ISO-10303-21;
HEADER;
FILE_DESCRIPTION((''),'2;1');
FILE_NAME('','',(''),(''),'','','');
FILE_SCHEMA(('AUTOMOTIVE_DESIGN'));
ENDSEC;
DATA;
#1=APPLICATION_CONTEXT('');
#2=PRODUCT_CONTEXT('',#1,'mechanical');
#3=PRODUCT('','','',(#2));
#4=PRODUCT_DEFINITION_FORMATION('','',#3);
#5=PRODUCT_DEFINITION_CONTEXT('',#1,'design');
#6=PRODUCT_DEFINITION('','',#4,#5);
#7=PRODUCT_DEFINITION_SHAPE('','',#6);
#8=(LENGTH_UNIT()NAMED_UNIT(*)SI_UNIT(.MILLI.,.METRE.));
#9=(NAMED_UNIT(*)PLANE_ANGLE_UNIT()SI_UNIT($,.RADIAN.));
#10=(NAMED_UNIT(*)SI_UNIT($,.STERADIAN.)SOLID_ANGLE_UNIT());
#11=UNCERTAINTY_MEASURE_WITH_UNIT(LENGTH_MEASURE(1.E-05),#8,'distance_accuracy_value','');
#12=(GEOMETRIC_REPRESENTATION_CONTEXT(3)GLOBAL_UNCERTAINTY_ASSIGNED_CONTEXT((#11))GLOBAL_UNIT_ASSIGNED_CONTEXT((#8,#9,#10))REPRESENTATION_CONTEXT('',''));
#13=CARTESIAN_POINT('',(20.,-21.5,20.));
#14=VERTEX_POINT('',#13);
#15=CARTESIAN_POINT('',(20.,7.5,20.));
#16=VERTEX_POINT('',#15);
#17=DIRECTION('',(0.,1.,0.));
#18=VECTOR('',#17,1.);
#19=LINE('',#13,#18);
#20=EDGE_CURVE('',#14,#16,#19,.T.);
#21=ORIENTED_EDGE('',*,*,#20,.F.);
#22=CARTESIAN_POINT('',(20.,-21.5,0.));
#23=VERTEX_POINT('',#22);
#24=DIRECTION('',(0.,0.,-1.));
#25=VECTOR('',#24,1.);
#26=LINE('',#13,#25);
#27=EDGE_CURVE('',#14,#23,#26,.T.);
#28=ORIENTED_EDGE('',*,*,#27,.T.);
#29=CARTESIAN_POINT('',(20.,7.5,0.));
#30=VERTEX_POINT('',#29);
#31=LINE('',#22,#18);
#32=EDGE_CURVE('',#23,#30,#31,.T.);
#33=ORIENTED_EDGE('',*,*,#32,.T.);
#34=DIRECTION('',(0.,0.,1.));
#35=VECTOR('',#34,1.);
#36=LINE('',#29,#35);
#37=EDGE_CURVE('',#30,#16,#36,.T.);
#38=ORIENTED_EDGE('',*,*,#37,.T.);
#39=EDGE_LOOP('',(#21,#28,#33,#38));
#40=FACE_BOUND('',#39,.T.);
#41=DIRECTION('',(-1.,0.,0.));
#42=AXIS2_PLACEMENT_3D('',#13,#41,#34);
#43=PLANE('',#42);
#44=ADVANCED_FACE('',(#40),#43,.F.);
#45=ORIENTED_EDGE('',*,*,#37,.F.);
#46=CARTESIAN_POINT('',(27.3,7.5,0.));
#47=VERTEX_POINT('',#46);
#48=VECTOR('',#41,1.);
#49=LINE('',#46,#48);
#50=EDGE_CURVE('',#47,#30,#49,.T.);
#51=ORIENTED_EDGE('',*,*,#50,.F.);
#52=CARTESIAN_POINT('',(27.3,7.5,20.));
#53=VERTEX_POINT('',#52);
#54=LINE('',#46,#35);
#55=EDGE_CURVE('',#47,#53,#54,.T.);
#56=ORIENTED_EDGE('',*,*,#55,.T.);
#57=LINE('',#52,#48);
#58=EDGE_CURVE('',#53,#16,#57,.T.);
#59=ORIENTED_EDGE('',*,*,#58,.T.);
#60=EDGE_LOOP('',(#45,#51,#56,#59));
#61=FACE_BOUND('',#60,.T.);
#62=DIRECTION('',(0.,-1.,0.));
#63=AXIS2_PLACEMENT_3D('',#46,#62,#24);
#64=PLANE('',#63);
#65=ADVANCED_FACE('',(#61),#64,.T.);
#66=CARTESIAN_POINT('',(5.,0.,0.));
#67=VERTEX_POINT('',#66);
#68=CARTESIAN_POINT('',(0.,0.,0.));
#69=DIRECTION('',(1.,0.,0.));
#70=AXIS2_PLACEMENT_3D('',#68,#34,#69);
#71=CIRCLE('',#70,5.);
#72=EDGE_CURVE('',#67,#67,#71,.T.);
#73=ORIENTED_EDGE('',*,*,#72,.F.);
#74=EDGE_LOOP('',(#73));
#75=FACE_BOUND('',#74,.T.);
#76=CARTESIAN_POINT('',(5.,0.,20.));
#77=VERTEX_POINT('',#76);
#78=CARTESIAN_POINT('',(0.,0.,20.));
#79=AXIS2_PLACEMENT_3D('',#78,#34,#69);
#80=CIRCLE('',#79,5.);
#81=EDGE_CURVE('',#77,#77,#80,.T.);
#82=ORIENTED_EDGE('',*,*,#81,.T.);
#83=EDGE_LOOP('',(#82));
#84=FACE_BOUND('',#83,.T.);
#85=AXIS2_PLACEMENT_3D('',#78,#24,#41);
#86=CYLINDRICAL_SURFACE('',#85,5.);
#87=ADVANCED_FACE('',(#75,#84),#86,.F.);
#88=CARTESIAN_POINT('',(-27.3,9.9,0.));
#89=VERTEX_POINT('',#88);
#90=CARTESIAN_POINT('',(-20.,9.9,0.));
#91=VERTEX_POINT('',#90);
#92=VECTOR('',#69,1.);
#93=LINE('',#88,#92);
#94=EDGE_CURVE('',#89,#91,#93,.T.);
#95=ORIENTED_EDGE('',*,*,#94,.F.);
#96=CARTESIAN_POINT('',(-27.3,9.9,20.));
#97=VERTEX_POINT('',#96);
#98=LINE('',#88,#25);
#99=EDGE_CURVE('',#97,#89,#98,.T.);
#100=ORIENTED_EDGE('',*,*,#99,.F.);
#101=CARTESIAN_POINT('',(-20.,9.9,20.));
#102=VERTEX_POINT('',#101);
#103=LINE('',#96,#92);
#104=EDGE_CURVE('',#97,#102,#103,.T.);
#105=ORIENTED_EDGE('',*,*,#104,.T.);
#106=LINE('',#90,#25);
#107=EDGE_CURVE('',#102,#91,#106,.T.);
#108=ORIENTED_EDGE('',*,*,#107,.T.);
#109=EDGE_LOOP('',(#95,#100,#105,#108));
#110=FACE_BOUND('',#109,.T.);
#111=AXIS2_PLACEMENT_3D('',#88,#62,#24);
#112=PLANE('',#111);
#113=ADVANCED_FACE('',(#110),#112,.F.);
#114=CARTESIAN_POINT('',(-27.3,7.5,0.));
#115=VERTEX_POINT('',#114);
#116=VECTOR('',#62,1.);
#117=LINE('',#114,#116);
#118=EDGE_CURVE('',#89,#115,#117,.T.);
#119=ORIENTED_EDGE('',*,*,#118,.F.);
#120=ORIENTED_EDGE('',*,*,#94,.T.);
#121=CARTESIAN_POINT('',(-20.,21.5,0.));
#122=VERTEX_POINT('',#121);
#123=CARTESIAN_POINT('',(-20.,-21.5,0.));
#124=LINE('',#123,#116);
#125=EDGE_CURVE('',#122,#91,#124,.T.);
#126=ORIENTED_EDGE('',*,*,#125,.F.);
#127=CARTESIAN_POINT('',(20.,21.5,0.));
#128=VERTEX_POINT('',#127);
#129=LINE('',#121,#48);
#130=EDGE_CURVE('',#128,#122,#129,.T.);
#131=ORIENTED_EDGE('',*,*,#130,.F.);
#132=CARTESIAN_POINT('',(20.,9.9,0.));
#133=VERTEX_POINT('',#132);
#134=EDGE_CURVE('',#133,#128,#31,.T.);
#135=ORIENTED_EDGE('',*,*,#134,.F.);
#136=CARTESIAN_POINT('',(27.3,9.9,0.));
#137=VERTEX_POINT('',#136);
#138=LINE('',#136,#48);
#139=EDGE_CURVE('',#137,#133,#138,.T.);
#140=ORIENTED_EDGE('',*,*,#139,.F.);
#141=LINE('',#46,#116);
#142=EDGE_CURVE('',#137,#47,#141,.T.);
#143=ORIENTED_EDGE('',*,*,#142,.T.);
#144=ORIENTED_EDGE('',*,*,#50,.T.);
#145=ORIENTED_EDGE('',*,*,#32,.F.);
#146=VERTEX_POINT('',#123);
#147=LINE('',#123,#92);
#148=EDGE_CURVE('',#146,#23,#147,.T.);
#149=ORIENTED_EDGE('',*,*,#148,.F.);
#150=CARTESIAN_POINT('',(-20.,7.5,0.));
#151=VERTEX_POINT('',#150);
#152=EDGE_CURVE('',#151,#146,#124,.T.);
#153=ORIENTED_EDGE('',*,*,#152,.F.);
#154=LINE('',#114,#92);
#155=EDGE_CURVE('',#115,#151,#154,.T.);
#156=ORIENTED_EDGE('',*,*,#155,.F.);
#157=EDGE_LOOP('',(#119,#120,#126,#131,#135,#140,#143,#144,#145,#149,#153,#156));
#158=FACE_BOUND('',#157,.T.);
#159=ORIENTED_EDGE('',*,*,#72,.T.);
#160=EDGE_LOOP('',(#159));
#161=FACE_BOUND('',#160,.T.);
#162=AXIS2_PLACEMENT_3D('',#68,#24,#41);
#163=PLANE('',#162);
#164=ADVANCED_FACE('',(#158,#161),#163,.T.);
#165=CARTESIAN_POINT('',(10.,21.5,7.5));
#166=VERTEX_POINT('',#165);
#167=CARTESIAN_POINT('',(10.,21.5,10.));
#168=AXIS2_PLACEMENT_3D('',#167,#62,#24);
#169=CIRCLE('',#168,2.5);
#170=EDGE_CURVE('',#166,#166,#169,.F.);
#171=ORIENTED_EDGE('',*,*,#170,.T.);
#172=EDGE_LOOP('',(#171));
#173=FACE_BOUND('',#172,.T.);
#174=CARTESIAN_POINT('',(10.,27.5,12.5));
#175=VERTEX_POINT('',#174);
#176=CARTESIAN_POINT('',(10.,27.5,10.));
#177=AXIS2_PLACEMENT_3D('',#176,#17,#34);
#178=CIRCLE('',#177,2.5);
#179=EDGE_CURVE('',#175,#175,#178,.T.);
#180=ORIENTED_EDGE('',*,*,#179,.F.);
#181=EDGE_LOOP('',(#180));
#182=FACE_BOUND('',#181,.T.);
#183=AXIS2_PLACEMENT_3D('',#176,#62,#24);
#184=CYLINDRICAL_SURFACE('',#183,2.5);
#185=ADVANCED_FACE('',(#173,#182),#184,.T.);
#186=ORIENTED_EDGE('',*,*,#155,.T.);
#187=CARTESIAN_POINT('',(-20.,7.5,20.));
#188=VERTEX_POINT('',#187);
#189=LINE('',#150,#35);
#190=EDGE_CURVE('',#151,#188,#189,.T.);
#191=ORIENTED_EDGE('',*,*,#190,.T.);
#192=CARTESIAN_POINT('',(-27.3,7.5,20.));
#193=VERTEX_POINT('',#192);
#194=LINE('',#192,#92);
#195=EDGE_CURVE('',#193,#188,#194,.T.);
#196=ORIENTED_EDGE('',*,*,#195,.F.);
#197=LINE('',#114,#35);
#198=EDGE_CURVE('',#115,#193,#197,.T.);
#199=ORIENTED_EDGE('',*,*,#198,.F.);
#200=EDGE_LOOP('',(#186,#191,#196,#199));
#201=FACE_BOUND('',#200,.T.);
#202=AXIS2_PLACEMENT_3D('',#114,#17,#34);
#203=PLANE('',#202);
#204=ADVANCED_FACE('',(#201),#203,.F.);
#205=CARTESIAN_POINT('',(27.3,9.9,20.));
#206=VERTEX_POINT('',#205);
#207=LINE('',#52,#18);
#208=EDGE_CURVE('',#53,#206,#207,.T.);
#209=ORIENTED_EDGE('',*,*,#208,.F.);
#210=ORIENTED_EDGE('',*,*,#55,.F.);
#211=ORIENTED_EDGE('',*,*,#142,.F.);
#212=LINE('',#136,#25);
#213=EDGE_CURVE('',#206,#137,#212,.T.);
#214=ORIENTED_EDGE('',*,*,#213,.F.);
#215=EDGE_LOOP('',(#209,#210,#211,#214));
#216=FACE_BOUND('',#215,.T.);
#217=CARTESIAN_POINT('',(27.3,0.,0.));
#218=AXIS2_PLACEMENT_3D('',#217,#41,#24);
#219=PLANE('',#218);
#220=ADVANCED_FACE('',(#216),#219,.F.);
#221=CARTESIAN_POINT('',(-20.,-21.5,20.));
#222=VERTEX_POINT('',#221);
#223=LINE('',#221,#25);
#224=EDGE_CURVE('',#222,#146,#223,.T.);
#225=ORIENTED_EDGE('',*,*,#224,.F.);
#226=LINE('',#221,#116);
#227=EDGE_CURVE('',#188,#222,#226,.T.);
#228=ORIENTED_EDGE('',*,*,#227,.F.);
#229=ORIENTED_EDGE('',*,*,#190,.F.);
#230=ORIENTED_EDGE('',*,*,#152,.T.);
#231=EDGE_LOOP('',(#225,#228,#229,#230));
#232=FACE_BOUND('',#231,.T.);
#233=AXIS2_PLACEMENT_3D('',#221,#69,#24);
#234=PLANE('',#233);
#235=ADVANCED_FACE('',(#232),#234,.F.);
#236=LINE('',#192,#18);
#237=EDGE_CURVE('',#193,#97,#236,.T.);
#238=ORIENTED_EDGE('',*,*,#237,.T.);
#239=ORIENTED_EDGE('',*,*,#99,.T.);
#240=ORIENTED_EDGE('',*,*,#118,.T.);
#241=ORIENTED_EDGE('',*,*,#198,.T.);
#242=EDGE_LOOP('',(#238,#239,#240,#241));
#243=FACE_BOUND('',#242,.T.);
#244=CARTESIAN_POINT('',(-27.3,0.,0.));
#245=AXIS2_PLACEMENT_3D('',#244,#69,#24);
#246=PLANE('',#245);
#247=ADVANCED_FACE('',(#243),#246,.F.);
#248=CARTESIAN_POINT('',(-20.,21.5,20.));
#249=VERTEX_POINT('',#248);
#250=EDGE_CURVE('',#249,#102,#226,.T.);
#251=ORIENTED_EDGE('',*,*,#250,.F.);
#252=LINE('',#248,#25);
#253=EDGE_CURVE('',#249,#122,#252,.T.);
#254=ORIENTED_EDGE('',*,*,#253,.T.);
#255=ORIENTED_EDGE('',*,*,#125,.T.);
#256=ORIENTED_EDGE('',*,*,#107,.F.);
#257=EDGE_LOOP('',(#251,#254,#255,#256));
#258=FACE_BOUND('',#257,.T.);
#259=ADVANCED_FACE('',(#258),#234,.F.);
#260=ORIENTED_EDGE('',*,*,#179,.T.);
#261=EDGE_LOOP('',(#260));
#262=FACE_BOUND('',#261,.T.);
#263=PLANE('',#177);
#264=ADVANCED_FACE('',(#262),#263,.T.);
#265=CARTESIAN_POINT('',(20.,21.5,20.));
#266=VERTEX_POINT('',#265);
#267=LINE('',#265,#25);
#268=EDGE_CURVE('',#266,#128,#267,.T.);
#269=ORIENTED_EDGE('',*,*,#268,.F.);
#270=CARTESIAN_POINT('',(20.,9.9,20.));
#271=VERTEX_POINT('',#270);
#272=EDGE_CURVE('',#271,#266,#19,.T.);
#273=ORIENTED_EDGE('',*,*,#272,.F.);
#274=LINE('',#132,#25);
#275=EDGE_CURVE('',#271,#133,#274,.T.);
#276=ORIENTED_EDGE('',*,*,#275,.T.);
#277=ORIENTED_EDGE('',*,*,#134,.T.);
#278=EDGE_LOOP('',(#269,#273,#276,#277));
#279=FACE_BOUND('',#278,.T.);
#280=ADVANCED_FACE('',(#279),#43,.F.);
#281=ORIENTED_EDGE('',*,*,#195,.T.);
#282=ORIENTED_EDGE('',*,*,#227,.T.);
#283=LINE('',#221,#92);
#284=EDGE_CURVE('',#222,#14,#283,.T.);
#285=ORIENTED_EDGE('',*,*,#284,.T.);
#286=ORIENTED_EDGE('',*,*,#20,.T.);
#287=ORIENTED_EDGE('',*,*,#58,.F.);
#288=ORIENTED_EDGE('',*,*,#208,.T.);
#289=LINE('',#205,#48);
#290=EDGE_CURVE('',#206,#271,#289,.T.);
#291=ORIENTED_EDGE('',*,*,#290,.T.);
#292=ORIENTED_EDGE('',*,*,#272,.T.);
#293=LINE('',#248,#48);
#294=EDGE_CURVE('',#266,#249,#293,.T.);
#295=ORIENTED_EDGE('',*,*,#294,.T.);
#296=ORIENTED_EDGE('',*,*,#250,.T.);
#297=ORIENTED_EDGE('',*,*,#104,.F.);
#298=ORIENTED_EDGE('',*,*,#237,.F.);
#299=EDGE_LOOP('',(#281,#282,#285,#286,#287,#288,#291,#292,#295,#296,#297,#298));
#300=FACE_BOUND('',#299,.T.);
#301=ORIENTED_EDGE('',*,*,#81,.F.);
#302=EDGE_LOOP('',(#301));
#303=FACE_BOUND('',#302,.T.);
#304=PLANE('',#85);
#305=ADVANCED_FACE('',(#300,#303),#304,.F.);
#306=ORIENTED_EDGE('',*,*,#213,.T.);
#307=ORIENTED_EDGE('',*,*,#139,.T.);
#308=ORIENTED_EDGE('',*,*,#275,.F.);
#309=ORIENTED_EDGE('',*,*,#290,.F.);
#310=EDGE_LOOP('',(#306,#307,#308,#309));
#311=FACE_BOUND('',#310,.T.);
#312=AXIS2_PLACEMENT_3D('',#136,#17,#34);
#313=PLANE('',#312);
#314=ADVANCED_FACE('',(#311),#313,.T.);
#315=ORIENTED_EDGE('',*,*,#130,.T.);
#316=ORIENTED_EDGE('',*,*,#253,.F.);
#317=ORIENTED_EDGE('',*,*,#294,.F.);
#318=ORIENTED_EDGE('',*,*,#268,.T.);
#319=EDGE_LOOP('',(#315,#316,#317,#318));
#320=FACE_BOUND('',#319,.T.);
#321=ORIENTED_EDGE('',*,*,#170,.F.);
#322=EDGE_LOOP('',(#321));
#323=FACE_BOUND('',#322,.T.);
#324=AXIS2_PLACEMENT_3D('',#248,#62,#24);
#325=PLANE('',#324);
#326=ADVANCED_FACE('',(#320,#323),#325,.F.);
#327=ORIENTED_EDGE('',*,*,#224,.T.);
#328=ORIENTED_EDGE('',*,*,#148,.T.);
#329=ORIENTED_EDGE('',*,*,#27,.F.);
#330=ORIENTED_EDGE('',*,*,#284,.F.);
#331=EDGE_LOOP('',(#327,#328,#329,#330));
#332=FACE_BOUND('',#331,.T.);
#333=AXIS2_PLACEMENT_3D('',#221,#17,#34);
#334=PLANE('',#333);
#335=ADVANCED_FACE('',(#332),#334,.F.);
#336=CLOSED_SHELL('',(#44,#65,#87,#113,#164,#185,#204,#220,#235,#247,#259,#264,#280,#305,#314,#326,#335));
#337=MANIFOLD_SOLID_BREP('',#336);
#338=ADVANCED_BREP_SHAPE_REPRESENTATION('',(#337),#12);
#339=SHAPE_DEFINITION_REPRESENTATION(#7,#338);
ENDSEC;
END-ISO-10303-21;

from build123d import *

# Parameters (mm, degrees)
SKETCH1_W           = 40
SKETCH1_H           = 43
SKETCH1_R           = 5
BOSS_EXTRUDE1_DEPTH = 20
SKETCH2_R           = 2.5
BOSS_EXTRUDE2_DEPTH = 6
SKETCH3_W           = 20
SKETCH3_H           = 2.4
BOSS_EXTRUDE3_DEPTH = 7.3


with BuildPart() as part:
    # Sketch1 → Boss-Extrude1 (new body)
    with BuildSketch(Plane.XY):
        Rectangle(SKETCH1_W, SKETCH1_H)
        Circle(SKETCH1_R, mode=Mode.SUBTRACT)
    extrude(amount=BOSS_EXTRUDE1_DEPTH)

    # Sketch2 → Boss-Extrude2 (add)
    with BuildSketch(Plane(origin=(0, 21.5, 0), x_dir=(1, 0, 0), z_dir=(0, 1, 0))):
        with Locations((10, -10)):
            Circle(SKETCH2_R)
    extrude(amount=BOSS_EXTRUDE2_DEPTH)

    # Sketch3 → Boss-Extrude3 (add)
    with BuildSketch(Plane.ZY.offset(20)):
        with Locations((10, 8.7)):
            Rectangle(SKETCH3_W, SKETCH3_H)
    boss_extrude3 = extrude(amount=BOSS_EXTRUDE3_DEPTH)

    # Mirror1: Boss-Extrude3 across plane
    add(boss_extrude3.mirror(Plane(origin=(0, 0, 0), x_dir=(0, 0, 1), z_dir=(1, 0, 0))))


solid = part.part
